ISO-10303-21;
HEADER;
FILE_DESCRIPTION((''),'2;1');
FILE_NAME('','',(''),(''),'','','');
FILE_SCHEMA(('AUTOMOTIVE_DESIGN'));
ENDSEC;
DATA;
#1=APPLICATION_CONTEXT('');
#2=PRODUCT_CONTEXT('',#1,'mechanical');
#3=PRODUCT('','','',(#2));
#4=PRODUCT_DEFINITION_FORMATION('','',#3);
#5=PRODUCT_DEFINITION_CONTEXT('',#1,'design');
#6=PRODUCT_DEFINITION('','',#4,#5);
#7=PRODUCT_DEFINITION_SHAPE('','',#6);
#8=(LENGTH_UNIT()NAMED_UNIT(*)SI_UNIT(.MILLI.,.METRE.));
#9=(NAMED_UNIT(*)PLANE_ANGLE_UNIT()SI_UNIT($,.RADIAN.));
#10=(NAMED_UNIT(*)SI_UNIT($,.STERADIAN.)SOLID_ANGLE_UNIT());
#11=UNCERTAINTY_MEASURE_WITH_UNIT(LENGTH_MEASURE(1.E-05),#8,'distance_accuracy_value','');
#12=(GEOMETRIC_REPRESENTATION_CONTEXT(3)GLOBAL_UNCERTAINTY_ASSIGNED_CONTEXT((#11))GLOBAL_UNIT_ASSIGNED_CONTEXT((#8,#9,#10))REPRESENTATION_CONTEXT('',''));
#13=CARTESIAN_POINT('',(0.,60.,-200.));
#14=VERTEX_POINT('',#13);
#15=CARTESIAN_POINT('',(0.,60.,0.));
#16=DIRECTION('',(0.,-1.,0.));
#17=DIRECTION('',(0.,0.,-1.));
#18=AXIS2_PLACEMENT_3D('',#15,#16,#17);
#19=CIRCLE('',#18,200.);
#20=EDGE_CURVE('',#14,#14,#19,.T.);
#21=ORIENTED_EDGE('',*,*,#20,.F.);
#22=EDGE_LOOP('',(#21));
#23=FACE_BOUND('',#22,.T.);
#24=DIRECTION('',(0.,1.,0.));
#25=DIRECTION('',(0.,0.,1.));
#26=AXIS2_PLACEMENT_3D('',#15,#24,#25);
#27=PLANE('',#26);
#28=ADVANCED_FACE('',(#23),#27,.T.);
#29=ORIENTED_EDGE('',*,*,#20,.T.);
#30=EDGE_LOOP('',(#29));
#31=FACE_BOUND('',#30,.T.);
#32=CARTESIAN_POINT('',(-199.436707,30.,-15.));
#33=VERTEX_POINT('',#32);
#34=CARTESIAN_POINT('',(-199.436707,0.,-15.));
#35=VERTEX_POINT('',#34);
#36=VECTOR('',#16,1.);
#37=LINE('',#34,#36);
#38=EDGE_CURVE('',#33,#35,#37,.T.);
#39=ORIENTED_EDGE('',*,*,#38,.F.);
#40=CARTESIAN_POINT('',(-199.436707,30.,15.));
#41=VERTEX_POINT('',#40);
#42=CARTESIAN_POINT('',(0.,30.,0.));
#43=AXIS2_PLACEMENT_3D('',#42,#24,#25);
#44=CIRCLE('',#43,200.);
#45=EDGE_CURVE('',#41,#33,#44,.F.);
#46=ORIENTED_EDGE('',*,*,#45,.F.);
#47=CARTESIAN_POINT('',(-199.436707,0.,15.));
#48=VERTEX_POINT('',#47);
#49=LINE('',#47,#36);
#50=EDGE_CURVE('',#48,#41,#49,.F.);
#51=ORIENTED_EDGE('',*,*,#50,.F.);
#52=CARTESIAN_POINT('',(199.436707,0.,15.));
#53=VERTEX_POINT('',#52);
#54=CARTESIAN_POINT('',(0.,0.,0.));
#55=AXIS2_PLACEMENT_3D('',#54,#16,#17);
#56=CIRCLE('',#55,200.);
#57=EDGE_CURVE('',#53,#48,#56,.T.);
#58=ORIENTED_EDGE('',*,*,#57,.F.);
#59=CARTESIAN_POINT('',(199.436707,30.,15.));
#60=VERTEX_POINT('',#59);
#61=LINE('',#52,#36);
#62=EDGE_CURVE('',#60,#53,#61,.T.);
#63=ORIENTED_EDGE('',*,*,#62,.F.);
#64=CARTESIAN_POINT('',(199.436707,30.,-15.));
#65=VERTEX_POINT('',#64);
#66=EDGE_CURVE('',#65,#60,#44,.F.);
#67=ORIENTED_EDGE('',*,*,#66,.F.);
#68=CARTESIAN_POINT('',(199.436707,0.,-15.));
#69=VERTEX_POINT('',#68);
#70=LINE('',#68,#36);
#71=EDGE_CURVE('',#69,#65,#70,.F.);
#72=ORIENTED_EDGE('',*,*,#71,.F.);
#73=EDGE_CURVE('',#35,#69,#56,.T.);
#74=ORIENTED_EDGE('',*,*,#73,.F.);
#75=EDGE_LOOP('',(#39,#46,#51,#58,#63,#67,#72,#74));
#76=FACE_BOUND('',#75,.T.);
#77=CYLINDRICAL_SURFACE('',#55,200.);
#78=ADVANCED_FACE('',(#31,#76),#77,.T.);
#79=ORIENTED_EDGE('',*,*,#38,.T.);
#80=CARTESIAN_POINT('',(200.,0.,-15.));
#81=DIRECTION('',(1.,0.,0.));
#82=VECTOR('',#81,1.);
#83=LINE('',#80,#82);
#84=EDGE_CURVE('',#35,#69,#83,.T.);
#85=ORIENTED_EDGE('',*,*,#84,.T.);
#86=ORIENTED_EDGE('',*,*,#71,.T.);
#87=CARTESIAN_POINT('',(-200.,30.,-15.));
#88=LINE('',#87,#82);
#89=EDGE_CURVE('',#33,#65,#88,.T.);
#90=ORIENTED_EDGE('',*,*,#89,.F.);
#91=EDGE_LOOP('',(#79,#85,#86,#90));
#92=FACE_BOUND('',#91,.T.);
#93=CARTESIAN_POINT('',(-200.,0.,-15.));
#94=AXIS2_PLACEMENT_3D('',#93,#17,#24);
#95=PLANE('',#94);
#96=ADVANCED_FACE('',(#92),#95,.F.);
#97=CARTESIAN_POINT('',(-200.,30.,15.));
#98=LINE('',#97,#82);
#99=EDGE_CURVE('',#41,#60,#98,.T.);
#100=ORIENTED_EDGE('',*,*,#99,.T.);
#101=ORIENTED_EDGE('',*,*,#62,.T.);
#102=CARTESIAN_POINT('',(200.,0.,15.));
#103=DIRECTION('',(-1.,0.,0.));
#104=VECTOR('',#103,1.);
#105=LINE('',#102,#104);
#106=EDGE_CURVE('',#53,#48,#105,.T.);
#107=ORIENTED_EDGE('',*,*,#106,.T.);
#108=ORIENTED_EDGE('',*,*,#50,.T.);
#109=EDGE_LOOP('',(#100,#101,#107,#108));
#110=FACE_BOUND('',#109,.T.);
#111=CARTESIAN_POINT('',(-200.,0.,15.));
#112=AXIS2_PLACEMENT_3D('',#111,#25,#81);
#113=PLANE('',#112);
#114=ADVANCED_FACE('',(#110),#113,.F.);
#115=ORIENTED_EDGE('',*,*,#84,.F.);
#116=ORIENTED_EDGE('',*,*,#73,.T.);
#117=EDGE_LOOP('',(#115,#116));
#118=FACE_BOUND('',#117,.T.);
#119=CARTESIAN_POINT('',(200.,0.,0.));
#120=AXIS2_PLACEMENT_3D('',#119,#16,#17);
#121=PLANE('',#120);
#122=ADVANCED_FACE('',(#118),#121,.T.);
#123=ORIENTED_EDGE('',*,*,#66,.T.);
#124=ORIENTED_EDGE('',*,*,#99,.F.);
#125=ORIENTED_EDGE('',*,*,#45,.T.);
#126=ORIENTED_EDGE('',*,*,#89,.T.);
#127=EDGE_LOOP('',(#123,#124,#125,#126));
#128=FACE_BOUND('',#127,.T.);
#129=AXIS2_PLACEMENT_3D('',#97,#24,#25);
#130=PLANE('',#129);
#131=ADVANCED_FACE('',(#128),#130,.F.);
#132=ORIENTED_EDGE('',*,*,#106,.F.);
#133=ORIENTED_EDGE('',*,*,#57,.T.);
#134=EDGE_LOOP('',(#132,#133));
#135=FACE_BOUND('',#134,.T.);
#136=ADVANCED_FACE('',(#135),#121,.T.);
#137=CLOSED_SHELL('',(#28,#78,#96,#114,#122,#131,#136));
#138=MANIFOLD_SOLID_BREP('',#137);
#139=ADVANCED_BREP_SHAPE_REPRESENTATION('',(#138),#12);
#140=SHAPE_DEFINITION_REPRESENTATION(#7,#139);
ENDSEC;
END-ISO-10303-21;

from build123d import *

# Parameters (mm, degrees)
ESBO_O1_W                  = 200
ESBO_O1_H                  = 60
ESBO_O2_W                  = 30
ESBO_O2_H                  = 30
CORTE_EXTRUS_O1_DEPTH      = 201
CORTE_EXTRUS_O1_DEPTH_BACK = 201


with BuildPart() as part:
    # Esboço1 → Revolução1 (revolve)
    with BuildSketch(Plane.XY):
        with Locations((100, 30)):
            Rectangle(ESBO_O1_W, ESBO_O1_H)
    revolve(axis=Axis((0, 0, 0), (0, 1, 0)))

    # Esboço2 → Corte-extrusão1 (cut, two sides)
    with BuildSketch(Plane(origin=(0, 0, 0), x_dir=(0, 0, -1), z_dir=(1, 0, 0))) as corte_extrus_o1_sk:
        with Locations((0, 15)):
            Rectangle(ESBO_O2_W, ESBO_O2_H)
    extrude(amount=CORTE_EXTRUS_O1_DEPTH, mode=Mode.SUBTRACT)
    extrude(corte_extrus_o1_sk.sketch, amount=-CORTE_EXTRUS_O1_DEPTH_BACK, mode=Mode.SUBTRACT)


solid = part.part
